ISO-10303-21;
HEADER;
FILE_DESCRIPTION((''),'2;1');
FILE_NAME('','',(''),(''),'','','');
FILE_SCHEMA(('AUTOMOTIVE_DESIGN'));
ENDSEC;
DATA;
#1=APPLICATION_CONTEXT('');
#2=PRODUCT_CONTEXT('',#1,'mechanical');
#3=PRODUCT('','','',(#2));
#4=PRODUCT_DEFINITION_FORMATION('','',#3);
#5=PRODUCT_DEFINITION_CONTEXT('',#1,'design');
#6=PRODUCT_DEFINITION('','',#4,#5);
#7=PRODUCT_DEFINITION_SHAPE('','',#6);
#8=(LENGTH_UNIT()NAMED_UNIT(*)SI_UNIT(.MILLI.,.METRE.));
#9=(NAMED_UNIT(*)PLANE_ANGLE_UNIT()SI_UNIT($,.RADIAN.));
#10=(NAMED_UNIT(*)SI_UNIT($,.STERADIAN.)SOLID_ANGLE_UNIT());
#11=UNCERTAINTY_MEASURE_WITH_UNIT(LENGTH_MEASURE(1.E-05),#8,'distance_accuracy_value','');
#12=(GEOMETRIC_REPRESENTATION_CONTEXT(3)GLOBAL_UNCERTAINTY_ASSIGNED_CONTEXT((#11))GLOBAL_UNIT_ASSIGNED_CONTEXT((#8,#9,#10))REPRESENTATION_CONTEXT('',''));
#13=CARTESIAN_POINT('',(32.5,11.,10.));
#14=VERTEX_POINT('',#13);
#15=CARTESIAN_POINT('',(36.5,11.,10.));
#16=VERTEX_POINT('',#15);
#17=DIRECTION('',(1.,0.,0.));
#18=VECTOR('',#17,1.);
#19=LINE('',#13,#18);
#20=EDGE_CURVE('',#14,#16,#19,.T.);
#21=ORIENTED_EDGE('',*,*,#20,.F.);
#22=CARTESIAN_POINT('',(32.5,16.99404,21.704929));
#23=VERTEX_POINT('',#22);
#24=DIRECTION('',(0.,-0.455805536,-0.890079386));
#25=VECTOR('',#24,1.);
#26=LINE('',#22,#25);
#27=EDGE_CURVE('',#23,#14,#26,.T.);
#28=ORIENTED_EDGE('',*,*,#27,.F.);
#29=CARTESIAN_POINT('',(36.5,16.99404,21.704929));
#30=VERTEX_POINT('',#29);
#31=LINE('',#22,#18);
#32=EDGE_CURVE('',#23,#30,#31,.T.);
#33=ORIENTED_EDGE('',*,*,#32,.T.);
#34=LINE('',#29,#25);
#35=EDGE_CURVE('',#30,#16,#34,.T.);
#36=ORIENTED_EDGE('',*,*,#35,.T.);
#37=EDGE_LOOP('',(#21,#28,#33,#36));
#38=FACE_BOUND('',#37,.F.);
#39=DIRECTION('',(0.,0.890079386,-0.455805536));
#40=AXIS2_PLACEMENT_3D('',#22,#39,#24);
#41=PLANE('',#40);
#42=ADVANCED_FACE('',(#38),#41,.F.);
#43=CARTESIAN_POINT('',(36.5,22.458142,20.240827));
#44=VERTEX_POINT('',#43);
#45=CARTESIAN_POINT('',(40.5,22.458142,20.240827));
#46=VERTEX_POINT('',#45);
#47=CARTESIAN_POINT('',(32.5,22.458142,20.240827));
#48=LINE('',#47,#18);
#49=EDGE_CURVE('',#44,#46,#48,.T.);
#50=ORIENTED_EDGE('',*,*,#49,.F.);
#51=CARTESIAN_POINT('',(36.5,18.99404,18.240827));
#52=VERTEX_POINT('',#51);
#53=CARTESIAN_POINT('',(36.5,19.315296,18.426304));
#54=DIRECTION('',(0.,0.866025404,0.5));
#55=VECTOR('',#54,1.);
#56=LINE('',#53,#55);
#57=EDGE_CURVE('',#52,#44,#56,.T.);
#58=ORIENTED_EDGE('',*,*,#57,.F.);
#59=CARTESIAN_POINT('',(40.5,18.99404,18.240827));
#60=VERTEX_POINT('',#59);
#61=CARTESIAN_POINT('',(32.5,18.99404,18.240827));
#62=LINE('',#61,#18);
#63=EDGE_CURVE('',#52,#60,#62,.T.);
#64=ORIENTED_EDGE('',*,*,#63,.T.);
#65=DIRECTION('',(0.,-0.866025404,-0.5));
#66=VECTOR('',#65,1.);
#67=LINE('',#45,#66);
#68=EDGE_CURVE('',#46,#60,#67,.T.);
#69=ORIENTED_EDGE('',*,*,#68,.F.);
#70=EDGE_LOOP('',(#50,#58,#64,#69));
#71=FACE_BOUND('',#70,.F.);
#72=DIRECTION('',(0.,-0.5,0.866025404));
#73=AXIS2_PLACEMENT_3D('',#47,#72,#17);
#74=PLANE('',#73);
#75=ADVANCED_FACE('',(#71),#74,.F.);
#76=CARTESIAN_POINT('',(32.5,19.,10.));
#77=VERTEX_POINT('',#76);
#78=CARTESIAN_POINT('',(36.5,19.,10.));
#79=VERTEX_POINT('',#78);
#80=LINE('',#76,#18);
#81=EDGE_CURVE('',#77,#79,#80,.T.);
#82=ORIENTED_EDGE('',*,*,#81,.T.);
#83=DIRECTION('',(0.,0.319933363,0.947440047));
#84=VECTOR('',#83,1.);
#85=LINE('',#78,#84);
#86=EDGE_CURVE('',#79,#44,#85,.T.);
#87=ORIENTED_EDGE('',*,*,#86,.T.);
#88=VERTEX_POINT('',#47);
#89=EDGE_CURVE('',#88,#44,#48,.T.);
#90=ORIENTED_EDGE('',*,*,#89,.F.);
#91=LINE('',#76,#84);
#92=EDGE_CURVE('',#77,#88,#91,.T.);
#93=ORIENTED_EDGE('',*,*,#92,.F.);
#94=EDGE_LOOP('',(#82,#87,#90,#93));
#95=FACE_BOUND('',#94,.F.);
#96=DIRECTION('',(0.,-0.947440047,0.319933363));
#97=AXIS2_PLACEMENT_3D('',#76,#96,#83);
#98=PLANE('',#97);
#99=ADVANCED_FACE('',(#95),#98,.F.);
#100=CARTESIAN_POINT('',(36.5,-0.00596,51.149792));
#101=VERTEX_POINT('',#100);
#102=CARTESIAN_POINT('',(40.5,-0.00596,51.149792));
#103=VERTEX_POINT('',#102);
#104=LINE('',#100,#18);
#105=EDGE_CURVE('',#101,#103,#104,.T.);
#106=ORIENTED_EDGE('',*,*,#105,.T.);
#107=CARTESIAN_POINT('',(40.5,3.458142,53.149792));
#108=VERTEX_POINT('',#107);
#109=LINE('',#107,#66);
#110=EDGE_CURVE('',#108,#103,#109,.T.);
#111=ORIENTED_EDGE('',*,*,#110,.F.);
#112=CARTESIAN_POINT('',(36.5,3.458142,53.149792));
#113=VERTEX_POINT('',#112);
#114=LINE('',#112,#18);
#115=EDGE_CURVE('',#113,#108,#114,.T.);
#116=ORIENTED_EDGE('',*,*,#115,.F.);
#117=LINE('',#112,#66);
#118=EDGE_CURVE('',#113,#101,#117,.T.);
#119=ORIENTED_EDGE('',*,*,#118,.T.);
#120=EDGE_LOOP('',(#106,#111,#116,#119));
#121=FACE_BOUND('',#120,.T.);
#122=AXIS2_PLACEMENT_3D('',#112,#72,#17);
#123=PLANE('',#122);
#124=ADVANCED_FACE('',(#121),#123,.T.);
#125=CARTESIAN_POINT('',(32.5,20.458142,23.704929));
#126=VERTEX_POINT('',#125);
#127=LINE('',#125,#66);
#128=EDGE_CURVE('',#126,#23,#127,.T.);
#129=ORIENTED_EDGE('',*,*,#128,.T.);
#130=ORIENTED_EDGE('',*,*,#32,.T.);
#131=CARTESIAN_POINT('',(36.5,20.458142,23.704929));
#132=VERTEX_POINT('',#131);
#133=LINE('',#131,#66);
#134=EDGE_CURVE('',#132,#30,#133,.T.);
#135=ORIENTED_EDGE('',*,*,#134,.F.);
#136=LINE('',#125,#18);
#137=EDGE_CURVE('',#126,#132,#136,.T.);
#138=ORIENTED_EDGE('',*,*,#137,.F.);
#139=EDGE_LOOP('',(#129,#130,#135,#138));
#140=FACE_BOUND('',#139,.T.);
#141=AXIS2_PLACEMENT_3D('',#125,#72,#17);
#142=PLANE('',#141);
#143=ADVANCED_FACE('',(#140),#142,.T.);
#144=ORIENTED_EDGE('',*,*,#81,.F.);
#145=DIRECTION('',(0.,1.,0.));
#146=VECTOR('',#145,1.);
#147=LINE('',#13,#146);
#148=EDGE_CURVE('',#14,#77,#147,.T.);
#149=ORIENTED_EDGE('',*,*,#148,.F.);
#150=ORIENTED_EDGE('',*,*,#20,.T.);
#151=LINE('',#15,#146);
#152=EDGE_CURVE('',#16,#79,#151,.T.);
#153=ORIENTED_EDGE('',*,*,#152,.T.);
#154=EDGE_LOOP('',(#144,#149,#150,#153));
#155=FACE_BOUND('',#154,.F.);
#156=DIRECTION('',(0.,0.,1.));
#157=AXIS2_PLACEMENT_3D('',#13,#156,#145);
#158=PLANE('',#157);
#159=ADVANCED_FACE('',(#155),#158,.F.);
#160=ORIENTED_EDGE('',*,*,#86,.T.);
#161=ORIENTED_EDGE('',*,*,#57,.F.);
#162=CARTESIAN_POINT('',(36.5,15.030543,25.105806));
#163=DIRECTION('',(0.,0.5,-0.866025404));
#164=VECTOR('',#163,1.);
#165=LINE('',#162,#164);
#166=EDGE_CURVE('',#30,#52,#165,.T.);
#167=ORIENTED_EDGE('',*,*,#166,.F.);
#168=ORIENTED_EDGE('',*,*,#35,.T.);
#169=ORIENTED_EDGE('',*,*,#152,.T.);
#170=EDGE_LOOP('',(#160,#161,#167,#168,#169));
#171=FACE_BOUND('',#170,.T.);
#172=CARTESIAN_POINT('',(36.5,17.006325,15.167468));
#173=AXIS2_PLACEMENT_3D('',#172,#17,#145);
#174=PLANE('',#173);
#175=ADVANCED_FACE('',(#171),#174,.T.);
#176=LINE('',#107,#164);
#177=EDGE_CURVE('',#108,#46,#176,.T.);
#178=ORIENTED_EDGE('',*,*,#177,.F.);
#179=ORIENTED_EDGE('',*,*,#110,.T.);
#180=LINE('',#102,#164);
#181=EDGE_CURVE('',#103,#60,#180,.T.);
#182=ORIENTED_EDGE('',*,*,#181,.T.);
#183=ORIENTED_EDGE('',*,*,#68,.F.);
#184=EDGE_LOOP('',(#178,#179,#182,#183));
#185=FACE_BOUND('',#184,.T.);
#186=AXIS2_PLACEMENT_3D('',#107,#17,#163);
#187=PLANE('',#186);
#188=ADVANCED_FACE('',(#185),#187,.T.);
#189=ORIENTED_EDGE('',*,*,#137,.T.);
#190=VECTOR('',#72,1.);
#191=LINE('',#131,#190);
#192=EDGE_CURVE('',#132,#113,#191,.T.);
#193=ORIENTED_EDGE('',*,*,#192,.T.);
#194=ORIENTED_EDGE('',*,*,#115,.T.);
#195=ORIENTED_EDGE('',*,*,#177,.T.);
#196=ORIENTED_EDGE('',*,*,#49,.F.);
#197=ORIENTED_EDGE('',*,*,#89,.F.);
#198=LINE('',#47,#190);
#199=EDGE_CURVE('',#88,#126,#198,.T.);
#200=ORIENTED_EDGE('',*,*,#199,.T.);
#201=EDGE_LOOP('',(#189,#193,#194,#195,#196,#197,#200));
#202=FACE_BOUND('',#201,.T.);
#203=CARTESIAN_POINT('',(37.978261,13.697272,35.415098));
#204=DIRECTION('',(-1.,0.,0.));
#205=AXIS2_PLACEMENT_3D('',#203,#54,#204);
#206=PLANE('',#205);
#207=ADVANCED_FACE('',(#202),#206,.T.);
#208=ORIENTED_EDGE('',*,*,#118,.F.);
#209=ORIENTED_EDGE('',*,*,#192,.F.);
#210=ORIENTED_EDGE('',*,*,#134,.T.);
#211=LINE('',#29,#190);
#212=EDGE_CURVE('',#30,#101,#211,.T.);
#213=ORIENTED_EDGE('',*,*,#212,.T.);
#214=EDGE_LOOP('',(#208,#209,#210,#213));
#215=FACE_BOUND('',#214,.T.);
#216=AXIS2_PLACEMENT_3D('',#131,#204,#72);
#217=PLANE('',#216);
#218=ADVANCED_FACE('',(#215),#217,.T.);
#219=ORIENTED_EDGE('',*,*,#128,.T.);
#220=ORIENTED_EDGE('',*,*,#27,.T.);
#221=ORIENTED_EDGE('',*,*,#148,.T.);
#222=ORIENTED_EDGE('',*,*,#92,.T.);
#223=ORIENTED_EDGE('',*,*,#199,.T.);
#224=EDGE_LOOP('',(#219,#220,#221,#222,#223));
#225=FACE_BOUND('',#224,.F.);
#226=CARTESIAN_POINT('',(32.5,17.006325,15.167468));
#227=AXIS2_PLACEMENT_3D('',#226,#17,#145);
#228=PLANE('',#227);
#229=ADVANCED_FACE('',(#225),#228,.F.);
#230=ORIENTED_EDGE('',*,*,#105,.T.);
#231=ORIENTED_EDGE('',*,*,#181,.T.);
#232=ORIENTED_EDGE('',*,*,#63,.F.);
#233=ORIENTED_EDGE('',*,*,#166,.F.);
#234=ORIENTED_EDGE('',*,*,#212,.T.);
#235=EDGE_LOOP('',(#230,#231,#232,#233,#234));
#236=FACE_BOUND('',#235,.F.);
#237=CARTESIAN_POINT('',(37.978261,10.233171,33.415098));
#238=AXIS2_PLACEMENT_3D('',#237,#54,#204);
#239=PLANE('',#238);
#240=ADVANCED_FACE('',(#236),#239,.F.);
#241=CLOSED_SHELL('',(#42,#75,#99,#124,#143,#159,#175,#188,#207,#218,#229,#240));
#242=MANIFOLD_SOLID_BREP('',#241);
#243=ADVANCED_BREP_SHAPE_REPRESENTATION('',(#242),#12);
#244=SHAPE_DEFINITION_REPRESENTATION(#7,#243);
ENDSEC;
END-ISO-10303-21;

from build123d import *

# Parameters (mm, degrees)
EXTRUDE025_DEPTH                          = 4
EXTRUDE024_DEPTH                          = 4
EXTRUDE024_ONTO_SKETCH023_PLACEMENT_ANGLE = 120


with BuildPart() as extrude025:
    # Sketch024 (on Face7 of Extrude024) → Extrude025 (new body)
    with BuildSketch(Plane(origin=(32.5, 0, 0), x_dir=(0, -1, 0), z_dir=(-1, 0, 0))):
        Polygon((-19, 10), (-22.458142, 20.240827), (-16.99404, 21.704929), (-11, 10), align=None)
    extrude(amount=-EXTRUDE025_DEPTH)


with BuildPart() as pin_reset:
    # Sketch023 as drawn → Extrude024 (new)
    with BuildSketch(Plane.XY):
        Polygon((32.5, 10.3), (36.5, 10.3), (36.5, 44.3), (40.5, 44.3), (40.5, 6.3), (36.5, 6.3), (32.5, 6.3), align=None)
    extrude(amount=EXTRUDE024_DEPTH)


with BuildPart() as pin_reset_1:
    # Extrude024 onto Sketch023 placement: moved
    add(pin_reset.part.moved(Location((0, 25.608142, 14.784867))).rotate(Axis((0, 25.608142, 14.784867), (1, 0, 0)), EXTRUDE024_ONTO_SKETCH023_PLACEMENT_ANGLE))

    # Connect006: union Extrude025
    add(extrude025.part)


solid = pin_reset_1.part
